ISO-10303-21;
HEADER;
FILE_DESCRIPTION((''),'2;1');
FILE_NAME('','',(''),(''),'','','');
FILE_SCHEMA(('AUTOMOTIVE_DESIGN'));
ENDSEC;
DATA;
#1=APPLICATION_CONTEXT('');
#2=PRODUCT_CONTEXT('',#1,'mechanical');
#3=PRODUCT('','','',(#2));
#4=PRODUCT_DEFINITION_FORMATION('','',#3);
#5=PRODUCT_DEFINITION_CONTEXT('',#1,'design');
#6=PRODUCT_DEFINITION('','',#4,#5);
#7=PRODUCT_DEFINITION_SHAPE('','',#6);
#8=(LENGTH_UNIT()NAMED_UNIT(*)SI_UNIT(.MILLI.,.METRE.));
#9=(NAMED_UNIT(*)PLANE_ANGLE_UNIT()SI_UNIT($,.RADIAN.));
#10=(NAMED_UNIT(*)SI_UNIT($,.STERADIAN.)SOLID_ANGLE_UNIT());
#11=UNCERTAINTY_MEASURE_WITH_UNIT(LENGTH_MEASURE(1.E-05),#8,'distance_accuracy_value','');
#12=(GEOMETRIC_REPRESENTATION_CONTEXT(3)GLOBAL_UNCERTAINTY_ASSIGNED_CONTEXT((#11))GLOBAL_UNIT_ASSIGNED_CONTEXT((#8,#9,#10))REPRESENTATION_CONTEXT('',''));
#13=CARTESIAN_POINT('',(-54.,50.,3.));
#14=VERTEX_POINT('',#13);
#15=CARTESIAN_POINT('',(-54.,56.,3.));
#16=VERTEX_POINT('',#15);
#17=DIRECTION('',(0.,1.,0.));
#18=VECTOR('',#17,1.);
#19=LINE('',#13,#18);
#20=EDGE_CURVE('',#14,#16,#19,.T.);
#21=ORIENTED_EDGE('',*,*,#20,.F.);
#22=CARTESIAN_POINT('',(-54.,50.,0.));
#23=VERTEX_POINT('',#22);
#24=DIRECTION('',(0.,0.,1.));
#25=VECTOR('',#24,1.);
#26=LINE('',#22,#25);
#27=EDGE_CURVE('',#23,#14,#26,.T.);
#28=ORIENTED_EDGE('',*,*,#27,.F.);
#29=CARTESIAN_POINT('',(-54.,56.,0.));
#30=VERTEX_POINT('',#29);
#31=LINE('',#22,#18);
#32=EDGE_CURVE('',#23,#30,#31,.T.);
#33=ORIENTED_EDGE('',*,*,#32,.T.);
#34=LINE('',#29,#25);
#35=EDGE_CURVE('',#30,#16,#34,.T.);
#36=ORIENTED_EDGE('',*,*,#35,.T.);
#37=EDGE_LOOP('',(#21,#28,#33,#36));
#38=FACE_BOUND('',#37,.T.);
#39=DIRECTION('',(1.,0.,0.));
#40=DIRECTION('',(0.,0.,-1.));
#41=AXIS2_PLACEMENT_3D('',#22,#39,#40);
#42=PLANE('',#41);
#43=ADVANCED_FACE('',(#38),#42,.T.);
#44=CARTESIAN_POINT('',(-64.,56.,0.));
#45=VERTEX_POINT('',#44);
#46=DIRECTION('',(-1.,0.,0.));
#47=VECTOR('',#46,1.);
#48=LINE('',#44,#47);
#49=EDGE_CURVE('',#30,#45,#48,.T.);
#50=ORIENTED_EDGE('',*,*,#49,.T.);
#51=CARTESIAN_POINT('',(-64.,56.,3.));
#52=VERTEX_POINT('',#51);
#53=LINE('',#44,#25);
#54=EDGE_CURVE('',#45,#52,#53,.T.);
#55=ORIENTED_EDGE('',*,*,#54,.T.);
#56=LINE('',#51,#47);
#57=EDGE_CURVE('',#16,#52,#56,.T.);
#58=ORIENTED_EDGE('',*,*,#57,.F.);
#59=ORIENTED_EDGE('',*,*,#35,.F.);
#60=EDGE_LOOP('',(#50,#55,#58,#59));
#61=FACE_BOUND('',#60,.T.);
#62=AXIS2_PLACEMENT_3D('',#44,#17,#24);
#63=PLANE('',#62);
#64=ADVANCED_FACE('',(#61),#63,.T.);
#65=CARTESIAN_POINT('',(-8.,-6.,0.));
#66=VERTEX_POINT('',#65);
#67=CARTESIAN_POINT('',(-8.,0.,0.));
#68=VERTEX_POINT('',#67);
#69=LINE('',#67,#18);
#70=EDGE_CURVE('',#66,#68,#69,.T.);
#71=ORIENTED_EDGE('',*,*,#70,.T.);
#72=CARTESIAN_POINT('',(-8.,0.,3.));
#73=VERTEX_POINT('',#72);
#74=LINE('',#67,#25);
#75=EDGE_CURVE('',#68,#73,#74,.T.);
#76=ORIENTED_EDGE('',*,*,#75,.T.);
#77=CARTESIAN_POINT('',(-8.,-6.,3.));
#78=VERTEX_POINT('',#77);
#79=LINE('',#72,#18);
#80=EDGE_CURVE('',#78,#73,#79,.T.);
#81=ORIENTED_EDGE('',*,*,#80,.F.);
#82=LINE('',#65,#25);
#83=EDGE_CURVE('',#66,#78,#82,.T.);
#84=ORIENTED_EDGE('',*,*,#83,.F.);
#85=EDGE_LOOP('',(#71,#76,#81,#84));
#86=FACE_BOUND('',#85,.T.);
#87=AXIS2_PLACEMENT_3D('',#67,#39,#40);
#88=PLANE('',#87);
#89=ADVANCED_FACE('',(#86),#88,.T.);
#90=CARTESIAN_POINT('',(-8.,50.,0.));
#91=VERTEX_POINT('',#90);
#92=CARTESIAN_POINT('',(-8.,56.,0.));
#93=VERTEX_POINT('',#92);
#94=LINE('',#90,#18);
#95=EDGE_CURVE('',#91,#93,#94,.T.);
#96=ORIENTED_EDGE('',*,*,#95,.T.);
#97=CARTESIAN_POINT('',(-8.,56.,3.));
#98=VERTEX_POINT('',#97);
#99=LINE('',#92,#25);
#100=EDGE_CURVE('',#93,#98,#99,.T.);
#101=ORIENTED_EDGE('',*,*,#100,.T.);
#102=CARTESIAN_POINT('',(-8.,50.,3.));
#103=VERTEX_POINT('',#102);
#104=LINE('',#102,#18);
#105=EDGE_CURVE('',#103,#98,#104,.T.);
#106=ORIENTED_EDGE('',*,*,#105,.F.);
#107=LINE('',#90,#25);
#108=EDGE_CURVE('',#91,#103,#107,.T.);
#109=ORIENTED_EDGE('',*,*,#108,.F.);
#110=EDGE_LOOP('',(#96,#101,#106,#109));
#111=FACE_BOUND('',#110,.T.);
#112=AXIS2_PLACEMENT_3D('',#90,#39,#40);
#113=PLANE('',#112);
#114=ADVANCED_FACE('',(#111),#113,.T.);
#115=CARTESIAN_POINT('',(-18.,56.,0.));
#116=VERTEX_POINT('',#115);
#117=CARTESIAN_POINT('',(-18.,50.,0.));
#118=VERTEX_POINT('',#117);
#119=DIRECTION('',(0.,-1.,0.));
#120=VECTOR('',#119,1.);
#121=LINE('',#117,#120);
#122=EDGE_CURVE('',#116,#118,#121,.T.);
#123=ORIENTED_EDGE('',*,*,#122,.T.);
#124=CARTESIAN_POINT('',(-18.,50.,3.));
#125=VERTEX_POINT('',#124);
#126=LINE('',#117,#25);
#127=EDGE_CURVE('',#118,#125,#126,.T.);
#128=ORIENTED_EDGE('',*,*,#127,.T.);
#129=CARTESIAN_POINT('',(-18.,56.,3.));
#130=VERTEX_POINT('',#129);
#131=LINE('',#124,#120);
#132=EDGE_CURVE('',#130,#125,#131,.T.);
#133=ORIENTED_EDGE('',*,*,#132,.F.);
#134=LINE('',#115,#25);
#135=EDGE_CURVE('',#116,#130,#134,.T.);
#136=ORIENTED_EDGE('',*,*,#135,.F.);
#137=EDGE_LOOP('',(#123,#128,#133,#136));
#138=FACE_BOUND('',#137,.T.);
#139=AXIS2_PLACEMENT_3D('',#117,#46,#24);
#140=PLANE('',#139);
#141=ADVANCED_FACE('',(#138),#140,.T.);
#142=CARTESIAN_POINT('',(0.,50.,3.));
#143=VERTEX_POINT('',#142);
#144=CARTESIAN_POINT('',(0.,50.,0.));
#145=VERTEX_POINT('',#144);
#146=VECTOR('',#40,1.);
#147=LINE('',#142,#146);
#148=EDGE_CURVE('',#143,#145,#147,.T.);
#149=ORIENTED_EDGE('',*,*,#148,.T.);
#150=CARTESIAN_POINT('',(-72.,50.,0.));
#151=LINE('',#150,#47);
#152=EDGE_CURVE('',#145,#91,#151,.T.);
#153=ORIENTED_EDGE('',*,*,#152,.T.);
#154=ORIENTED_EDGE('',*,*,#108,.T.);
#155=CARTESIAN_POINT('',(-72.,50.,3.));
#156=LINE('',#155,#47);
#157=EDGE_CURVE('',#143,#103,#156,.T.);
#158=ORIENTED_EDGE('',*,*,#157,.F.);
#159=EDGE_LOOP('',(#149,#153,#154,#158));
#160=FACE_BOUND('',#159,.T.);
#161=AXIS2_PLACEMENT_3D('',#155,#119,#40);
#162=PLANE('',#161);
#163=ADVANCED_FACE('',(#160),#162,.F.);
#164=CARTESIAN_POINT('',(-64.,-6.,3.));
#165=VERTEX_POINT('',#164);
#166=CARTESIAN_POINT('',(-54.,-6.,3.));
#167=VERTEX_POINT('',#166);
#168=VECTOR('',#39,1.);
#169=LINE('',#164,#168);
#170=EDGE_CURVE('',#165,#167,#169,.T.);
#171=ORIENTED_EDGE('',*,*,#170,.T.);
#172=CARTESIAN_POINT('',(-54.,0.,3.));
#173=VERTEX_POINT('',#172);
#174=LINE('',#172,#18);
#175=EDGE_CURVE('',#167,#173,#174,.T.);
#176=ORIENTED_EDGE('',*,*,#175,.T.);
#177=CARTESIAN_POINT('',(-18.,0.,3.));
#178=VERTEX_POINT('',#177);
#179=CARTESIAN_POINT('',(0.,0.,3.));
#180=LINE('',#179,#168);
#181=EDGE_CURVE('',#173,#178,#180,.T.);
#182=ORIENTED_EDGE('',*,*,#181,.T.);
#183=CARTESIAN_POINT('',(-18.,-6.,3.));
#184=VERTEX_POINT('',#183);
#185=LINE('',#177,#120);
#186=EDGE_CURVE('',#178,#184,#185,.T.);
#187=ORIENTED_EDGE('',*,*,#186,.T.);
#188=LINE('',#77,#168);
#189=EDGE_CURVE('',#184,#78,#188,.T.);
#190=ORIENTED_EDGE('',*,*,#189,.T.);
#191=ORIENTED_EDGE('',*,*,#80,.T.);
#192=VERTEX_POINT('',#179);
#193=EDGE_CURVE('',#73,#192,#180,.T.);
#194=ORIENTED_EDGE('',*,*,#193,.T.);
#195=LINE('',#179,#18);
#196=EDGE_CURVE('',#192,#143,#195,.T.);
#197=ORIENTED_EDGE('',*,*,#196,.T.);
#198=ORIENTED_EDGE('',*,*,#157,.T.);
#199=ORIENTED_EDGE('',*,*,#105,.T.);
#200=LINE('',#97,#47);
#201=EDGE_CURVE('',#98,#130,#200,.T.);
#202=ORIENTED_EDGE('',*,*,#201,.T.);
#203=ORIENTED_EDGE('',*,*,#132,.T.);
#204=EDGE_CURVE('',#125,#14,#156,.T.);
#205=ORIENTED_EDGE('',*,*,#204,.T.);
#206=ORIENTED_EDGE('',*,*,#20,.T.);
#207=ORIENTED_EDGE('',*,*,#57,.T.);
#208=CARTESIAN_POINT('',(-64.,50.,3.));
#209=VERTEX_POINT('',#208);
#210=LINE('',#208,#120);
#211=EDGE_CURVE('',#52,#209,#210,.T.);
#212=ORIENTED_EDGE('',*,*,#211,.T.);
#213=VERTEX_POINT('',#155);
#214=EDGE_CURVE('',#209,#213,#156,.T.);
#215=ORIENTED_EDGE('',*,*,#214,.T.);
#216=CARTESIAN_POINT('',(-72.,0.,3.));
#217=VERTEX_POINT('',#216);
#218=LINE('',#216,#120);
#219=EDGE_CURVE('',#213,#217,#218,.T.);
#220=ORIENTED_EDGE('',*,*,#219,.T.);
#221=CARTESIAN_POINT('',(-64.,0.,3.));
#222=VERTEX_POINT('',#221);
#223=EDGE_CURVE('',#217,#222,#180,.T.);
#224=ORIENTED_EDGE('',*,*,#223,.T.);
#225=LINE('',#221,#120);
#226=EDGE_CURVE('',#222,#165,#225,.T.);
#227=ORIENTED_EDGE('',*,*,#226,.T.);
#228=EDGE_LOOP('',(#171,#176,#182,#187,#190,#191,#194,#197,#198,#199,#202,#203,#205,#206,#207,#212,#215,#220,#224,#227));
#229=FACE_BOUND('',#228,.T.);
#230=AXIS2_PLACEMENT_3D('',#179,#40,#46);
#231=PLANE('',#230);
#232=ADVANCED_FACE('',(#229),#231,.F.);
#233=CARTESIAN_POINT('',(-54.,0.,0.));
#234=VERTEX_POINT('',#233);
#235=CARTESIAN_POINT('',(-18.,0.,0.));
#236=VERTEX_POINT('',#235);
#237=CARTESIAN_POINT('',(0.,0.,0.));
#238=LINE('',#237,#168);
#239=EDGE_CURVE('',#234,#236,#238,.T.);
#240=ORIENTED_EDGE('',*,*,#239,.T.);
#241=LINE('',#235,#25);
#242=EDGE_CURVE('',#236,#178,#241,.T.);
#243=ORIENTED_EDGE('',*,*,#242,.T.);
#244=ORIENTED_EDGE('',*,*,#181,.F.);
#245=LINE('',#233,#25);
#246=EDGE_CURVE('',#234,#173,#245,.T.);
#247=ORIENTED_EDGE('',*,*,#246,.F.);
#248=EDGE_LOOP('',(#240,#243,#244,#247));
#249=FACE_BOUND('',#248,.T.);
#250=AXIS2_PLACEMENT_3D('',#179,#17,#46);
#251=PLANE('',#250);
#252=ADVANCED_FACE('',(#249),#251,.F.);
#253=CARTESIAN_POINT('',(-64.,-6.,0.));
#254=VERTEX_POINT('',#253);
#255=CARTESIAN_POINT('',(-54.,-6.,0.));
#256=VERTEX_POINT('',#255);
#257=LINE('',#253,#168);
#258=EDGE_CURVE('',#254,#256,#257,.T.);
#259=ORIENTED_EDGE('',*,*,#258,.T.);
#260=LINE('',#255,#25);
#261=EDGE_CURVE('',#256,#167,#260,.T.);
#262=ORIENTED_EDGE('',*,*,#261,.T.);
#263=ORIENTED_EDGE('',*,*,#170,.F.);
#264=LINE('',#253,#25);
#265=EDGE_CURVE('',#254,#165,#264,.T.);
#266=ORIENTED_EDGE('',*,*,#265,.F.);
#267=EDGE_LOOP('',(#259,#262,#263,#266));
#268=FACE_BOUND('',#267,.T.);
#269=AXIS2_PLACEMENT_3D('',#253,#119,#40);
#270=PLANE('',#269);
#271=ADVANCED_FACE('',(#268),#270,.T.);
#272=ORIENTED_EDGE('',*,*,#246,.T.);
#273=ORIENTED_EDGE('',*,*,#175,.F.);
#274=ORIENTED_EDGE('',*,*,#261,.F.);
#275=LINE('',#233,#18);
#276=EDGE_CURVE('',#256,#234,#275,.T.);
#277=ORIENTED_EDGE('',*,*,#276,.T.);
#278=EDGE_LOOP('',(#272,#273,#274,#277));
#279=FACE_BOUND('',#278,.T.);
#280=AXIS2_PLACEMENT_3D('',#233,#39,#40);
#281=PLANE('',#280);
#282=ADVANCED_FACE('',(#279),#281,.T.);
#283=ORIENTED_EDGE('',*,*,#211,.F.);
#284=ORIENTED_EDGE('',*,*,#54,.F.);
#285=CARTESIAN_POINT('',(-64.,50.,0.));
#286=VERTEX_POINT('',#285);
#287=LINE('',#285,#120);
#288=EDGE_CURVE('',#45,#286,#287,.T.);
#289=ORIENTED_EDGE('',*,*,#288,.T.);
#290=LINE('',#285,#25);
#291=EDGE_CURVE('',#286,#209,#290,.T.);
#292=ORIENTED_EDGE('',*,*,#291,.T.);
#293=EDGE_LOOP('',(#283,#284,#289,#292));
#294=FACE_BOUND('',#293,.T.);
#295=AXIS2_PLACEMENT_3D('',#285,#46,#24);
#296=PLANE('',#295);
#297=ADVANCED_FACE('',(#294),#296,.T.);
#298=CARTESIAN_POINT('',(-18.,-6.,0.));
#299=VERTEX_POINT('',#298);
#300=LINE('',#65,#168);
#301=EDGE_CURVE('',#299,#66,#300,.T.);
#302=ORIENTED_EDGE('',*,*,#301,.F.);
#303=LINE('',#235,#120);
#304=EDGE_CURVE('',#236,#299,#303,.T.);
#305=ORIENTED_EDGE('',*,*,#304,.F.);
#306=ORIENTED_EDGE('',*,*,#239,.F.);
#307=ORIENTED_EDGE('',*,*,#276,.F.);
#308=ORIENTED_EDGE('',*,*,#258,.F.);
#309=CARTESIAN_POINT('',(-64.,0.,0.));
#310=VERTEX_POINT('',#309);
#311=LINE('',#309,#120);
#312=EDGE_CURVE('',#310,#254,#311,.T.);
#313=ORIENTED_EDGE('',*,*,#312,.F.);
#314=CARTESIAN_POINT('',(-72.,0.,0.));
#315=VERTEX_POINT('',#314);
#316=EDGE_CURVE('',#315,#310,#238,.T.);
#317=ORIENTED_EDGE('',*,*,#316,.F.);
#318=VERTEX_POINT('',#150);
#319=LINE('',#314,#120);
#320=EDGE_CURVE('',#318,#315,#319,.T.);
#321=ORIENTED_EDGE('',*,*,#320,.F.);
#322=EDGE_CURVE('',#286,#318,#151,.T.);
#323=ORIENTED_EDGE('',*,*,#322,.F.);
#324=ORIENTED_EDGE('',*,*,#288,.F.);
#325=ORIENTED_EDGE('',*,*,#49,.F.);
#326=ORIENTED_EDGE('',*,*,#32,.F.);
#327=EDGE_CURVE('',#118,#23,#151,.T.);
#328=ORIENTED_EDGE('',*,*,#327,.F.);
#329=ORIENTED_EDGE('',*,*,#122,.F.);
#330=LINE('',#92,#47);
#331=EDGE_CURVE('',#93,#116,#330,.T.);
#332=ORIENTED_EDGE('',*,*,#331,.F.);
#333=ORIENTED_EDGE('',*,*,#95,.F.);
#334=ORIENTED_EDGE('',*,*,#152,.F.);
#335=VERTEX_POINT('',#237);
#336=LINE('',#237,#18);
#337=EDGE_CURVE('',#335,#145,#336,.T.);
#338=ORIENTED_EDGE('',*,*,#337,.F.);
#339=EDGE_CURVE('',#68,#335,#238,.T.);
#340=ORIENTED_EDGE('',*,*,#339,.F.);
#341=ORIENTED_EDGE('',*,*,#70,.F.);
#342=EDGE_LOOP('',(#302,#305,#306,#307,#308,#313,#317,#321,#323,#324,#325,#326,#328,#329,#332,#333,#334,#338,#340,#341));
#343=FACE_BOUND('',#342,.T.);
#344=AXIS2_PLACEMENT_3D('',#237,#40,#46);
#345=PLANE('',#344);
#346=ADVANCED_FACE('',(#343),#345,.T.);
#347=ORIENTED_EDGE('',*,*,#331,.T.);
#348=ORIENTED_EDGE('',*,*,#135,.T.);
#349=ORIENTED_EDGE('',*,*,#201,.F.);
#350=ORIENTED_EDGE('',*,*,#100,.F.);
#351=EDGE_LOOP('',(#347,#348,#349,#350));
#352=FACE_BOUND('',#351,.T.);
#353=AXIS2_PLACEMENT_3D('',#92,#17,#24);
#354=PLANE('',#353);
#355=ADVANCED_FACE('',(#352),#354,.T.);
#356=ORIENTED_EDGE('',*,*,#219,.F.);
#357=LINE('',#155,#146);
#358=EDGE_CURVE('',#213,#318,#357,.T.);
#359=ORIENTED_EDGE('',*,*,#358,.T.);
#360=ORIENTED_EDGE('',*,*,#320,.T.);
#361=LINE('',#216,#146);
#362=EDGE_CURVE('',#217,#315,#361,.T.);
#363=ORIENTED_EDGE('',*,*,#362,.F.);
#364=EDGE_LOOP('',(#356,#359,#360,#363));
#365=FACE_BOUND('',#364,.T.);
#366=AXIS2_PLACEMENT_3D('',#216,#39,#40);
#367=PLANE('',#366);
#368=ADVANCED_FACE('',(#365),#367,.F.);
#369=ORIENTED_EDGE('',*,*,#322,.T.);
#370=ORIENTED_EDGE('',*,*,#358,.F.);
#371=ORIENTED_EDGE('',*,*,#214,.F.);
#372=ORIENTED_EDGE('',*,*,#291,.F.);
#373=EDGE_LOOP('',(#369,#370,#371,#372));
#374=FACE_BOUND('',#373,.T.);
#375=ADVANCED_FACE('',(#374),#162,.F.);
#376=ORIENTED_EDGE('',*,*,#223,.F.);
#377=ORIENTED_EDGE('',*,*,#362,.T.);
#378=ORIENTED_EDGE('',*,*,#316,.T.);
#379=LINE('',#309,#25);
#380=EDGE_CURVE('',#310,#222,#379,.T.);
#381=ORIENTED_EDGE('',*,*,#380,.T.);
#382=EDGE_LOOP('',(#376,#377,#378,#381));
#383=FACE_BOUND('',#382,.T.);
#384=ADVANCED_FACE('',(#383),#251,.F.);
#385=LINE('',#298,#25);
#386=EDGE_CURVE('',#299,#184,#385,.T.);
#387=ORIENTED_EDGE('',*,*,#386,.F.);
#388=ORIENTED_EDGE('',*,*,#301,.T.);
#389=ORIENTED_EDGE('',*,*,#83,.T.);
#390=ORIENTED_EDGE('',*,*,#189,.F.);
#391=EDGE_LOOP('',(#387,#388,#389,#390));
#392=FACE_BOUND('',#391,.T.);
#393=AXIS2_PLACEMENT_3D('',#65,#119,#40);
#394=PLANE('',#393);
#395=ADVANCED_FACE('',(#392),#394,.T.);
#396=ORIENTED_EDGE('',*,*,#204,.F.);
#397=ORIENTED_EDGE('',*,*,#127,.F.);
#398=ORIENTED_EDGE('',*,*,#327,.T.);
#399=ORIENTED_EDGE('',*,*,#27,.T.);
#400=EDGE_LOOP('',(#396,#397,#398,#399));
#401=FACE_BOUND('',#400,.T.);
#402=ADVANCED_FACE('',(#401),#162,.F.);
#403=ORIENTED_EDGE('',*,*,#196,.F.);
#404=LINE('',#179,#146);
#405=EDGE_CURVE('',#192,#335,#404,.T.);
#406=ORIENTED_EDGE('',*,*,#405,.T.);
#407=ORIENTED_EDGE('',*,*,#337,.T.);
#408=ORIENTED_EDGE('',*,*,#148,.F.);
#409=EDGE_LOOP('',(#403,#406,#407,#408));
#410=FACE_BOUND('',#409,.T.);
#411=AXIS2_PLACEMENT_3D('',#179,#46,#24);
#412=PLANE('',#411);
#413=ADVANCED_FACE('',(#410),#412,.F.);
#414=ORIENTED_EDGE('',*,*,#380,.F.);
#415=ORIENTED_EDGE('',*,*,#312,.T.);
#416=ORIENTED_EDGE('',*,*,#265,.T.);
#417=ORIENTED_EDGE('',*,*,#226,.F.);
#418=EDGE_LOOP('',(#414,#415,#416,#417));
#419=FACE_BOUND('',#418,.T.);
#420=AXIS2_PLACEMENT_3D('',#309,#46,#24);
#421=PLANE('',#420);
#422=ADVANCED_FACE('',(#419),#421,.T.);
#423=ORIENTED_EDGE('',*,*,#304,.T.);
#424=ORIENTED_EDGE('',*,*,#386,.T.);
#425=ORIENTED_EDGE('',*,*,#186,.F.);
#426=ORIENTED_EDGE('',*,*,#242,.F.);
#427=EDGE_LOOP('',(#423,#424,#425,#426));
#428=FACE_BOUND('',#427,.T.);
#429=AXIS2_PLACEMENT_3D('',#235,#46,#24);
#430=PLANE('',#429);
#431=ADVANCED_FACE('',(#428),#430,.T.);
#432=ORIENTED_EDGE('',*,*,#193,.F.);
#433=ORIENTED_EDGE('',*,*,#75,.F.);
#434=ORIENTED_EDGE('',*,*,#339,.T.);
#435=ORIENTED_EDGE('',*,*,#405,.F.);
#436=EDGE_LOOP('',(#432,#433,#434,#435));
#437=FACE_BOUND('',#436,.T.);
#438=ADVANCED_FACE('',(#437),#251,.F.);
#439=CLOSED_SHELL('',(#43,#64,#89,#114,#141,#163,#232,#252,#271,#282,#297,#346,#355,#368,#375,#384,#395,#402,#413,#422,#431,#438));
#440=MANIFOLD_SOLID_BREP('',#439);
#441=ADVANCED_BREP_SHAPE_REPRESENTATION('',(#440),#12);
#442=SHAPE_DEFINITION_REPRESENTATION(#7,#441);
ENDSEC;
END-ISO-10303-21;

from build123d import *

# Parameters (mm, degrees)
ESQUISSE1_W        = 72
ESQUISSE1_H        = 50
BOSS_EXTRU_1_DEPTH = 3
ESQUISSE2_W        = 10
ESQUISSE2_H        = 6
BOSS_EXTRU_2_DEPTH = 3


with BuildPart() as part:
    # Esquisse1 → Boss.-Extru.1 (new body)
    with BuildSketch(Plane.XY):
        with Locations((-36, 25)):
            Rectangle(ESQUISSE1_W, ESQUISSE1_H)
    extrude(amount=BOSS_EXTRU_1_DEPTH)

    # Esquisse2 → Boss.-Extru.2 (add)
    with BuildSketch(Plane.XY.offset(3)):
        with Locations((-59, -3)):
            Rectangle(ESQUISSE2_W, ESQUISSE2_H)
        with Locations((-59, 53)):
            Rectangle(ESQUISSE2_W, ESQUISSE2_H)
        with Locations((-13, 53)):
            Rectangle(ESQUISSE2_W, ESQUISSE2_H)
        with Locations((-13, -3)):
            Rectangle(ESQUISSE2_W, ESQUISSE2_H)
    extrude(amount=-BOSS_EXTRU_2_DEPTH)


solid = part.part
